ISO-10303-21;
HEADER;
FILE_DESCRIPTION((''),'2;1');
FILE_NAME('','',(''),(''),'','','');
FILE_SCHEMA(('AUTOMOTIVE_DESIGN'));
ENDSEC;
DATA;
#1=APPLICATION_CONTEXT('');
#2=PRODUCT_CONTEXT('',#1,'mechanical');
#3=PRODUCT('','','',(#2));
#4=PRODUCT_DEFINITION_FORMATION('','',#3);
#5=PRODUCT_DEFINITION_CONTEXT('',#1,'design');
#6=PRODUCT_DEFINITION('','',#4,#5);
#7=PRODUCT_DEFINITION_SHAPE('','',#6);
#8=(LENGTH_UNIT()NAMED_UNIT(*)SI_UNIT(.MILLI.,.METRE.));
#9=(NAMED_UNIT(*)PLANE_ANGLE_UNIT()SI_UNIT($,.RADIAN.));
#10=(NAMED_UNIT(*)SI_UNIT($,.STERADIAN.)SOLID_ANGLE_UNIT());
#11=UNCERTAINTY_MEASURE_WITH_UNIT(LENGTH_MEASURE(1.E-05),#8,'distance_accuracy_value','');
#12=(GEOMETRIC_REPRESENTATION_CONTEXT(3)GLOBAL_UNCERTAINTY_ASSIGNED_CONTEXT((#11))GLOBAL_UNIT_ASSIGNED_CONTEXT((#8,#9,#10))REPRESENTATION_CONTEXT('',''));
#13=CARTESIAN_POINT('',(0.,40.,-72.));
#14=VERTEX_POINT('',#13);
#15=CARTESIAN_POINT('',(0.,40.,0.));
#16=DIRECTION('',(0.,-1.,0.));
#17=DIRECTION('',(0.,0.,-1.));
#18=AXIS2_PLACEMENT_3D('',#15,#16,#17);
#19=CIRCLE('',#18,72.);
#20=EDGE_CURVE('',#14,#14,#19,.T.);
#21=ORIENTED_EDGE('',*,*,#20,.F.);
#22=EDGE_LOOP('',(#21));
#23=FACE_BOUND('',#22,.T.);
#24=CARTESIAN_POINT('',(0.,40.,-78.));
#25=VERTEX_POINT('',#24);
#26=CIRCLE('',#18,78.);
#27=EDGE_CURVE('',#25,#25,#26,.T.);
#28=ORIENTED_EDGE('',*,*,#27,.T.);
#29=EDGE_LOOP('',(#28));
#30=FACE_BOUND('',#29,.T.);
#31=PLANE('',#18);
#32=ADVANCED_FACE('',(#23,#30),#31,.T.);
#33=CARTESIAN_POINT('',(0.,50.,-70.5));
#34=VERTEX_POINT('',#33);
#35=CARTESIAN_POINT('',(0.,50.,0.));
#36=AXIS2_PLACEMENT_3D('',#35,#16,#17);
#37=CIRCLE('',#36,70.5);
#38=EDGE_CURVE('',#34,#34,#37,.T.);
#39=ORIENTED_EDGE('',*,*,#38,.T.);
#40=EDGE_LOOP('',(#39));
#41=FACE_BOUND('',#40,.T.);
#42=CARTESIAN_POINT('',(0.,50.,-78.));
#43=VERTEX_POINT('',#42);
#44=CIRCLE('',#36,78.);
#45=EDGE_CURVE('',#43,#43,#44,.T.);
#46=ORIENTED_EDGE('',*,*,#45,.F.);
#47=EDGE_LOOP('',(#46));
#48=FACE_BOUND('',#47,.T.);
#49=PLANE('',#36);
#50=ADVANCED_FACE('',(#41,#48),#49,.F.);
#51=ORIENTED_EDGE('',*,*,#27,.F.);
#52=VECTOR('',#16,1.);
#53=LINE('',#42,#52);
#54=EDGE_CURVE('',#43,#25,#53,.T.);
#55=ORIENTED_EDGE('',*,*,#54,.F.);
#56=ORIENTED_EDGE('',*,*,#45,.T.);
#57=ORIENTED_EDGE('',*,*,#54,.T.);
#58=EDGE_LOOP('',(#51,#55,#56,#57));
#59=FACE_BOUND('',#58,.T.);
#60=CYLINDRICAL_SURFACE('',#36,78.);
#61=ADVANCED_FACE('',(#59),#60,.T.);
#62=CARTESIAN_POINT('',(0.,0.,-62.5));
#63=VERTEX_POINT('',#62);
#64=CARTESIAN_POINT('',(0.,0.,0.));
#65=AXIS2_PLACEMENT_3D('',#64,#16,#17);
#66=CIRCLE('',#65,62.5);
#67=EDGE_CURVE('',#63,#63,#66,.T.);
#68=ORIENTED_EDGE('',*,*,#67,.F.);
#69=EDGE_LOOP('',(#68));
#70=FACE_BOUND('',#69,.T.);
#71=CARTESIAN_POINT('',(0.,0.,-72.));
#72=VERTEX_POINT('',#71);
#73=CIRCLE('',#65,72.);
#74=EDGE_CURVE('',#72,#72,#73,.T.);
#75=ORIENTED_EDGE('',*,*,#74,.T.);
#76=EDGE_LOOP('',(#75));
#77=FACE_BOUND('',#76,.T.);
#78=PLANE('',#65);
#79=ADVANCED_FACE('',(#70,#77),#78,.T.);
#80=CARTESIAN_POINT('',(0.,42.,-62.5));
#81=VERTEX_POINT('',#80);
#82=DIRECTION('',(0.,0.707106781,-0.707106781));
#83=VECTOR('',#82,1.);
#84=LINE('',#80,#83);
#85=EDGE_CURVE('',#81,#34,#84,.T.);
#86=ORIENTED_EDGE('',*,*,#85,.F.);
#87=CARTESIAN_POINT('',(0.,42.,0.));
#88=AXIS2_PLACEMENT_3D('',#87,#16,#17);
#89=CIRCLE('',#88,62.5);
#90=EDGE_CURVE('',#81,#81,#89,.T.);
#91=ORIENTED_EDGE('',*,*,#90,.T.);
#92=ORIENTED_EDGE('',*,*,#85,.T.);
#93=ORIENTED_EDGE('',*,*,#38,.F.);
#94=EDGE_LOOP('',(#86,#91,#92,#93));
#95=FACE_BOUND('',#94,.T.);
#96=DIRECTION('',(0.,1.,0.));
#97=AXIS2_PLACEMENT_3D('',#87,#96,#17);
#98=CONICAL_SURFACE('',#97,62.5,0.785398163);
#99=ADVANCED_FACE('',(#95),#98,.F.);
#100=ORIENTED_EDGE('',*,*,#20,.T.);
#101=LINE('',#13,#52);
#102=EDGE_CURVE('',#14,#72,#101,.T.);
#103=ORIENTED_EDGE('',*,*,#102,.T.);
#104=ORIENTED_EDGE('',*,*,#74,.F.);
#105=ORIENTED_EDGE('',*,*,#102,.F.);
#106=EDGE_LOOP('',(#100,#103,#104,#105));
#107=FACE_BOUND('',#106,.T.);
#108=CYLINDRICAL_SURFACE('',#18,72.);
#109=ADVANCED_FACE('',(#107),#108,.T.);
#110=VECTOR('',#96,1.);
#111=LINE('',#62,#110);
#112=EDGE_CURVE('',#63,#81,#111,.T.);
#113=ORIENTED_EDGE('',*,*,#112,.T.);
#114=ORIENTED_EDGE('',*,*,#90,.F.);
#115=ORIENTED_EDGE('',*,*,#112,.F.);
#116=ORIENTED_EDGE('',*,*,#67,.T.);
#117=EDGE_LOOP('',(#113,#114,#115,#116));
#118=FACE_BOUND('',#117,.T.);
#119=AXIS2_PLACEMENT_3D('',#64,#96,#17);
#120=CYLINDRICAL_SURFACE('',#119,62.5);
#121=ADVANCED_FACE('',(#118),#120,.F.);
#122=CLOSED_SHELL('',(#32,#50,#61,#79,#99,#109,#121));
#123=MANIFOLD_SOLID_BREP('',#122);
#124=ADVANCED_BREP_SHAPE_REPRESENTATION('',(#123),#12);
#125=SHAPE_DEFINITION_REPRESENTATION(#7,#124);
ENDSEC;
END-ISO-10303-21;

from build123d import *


with BuildPart() as part:
    # Sketch1 → Revolve1 (revolve)
    with BuildSketch(Plane(origin=(0, 0, 0), x_dir=(0, 0, -1), z_dir=(1, 0, 0))):
        Polygon((62.5, 0), (62.5, 42), (70.5, 50), (78, 50), (78, 40), (72, 40), (72, 0), align=None)
    revolve(axis=Axis((0, 75.298634812, 0), (0, -1, 0)))


solid = part.part
